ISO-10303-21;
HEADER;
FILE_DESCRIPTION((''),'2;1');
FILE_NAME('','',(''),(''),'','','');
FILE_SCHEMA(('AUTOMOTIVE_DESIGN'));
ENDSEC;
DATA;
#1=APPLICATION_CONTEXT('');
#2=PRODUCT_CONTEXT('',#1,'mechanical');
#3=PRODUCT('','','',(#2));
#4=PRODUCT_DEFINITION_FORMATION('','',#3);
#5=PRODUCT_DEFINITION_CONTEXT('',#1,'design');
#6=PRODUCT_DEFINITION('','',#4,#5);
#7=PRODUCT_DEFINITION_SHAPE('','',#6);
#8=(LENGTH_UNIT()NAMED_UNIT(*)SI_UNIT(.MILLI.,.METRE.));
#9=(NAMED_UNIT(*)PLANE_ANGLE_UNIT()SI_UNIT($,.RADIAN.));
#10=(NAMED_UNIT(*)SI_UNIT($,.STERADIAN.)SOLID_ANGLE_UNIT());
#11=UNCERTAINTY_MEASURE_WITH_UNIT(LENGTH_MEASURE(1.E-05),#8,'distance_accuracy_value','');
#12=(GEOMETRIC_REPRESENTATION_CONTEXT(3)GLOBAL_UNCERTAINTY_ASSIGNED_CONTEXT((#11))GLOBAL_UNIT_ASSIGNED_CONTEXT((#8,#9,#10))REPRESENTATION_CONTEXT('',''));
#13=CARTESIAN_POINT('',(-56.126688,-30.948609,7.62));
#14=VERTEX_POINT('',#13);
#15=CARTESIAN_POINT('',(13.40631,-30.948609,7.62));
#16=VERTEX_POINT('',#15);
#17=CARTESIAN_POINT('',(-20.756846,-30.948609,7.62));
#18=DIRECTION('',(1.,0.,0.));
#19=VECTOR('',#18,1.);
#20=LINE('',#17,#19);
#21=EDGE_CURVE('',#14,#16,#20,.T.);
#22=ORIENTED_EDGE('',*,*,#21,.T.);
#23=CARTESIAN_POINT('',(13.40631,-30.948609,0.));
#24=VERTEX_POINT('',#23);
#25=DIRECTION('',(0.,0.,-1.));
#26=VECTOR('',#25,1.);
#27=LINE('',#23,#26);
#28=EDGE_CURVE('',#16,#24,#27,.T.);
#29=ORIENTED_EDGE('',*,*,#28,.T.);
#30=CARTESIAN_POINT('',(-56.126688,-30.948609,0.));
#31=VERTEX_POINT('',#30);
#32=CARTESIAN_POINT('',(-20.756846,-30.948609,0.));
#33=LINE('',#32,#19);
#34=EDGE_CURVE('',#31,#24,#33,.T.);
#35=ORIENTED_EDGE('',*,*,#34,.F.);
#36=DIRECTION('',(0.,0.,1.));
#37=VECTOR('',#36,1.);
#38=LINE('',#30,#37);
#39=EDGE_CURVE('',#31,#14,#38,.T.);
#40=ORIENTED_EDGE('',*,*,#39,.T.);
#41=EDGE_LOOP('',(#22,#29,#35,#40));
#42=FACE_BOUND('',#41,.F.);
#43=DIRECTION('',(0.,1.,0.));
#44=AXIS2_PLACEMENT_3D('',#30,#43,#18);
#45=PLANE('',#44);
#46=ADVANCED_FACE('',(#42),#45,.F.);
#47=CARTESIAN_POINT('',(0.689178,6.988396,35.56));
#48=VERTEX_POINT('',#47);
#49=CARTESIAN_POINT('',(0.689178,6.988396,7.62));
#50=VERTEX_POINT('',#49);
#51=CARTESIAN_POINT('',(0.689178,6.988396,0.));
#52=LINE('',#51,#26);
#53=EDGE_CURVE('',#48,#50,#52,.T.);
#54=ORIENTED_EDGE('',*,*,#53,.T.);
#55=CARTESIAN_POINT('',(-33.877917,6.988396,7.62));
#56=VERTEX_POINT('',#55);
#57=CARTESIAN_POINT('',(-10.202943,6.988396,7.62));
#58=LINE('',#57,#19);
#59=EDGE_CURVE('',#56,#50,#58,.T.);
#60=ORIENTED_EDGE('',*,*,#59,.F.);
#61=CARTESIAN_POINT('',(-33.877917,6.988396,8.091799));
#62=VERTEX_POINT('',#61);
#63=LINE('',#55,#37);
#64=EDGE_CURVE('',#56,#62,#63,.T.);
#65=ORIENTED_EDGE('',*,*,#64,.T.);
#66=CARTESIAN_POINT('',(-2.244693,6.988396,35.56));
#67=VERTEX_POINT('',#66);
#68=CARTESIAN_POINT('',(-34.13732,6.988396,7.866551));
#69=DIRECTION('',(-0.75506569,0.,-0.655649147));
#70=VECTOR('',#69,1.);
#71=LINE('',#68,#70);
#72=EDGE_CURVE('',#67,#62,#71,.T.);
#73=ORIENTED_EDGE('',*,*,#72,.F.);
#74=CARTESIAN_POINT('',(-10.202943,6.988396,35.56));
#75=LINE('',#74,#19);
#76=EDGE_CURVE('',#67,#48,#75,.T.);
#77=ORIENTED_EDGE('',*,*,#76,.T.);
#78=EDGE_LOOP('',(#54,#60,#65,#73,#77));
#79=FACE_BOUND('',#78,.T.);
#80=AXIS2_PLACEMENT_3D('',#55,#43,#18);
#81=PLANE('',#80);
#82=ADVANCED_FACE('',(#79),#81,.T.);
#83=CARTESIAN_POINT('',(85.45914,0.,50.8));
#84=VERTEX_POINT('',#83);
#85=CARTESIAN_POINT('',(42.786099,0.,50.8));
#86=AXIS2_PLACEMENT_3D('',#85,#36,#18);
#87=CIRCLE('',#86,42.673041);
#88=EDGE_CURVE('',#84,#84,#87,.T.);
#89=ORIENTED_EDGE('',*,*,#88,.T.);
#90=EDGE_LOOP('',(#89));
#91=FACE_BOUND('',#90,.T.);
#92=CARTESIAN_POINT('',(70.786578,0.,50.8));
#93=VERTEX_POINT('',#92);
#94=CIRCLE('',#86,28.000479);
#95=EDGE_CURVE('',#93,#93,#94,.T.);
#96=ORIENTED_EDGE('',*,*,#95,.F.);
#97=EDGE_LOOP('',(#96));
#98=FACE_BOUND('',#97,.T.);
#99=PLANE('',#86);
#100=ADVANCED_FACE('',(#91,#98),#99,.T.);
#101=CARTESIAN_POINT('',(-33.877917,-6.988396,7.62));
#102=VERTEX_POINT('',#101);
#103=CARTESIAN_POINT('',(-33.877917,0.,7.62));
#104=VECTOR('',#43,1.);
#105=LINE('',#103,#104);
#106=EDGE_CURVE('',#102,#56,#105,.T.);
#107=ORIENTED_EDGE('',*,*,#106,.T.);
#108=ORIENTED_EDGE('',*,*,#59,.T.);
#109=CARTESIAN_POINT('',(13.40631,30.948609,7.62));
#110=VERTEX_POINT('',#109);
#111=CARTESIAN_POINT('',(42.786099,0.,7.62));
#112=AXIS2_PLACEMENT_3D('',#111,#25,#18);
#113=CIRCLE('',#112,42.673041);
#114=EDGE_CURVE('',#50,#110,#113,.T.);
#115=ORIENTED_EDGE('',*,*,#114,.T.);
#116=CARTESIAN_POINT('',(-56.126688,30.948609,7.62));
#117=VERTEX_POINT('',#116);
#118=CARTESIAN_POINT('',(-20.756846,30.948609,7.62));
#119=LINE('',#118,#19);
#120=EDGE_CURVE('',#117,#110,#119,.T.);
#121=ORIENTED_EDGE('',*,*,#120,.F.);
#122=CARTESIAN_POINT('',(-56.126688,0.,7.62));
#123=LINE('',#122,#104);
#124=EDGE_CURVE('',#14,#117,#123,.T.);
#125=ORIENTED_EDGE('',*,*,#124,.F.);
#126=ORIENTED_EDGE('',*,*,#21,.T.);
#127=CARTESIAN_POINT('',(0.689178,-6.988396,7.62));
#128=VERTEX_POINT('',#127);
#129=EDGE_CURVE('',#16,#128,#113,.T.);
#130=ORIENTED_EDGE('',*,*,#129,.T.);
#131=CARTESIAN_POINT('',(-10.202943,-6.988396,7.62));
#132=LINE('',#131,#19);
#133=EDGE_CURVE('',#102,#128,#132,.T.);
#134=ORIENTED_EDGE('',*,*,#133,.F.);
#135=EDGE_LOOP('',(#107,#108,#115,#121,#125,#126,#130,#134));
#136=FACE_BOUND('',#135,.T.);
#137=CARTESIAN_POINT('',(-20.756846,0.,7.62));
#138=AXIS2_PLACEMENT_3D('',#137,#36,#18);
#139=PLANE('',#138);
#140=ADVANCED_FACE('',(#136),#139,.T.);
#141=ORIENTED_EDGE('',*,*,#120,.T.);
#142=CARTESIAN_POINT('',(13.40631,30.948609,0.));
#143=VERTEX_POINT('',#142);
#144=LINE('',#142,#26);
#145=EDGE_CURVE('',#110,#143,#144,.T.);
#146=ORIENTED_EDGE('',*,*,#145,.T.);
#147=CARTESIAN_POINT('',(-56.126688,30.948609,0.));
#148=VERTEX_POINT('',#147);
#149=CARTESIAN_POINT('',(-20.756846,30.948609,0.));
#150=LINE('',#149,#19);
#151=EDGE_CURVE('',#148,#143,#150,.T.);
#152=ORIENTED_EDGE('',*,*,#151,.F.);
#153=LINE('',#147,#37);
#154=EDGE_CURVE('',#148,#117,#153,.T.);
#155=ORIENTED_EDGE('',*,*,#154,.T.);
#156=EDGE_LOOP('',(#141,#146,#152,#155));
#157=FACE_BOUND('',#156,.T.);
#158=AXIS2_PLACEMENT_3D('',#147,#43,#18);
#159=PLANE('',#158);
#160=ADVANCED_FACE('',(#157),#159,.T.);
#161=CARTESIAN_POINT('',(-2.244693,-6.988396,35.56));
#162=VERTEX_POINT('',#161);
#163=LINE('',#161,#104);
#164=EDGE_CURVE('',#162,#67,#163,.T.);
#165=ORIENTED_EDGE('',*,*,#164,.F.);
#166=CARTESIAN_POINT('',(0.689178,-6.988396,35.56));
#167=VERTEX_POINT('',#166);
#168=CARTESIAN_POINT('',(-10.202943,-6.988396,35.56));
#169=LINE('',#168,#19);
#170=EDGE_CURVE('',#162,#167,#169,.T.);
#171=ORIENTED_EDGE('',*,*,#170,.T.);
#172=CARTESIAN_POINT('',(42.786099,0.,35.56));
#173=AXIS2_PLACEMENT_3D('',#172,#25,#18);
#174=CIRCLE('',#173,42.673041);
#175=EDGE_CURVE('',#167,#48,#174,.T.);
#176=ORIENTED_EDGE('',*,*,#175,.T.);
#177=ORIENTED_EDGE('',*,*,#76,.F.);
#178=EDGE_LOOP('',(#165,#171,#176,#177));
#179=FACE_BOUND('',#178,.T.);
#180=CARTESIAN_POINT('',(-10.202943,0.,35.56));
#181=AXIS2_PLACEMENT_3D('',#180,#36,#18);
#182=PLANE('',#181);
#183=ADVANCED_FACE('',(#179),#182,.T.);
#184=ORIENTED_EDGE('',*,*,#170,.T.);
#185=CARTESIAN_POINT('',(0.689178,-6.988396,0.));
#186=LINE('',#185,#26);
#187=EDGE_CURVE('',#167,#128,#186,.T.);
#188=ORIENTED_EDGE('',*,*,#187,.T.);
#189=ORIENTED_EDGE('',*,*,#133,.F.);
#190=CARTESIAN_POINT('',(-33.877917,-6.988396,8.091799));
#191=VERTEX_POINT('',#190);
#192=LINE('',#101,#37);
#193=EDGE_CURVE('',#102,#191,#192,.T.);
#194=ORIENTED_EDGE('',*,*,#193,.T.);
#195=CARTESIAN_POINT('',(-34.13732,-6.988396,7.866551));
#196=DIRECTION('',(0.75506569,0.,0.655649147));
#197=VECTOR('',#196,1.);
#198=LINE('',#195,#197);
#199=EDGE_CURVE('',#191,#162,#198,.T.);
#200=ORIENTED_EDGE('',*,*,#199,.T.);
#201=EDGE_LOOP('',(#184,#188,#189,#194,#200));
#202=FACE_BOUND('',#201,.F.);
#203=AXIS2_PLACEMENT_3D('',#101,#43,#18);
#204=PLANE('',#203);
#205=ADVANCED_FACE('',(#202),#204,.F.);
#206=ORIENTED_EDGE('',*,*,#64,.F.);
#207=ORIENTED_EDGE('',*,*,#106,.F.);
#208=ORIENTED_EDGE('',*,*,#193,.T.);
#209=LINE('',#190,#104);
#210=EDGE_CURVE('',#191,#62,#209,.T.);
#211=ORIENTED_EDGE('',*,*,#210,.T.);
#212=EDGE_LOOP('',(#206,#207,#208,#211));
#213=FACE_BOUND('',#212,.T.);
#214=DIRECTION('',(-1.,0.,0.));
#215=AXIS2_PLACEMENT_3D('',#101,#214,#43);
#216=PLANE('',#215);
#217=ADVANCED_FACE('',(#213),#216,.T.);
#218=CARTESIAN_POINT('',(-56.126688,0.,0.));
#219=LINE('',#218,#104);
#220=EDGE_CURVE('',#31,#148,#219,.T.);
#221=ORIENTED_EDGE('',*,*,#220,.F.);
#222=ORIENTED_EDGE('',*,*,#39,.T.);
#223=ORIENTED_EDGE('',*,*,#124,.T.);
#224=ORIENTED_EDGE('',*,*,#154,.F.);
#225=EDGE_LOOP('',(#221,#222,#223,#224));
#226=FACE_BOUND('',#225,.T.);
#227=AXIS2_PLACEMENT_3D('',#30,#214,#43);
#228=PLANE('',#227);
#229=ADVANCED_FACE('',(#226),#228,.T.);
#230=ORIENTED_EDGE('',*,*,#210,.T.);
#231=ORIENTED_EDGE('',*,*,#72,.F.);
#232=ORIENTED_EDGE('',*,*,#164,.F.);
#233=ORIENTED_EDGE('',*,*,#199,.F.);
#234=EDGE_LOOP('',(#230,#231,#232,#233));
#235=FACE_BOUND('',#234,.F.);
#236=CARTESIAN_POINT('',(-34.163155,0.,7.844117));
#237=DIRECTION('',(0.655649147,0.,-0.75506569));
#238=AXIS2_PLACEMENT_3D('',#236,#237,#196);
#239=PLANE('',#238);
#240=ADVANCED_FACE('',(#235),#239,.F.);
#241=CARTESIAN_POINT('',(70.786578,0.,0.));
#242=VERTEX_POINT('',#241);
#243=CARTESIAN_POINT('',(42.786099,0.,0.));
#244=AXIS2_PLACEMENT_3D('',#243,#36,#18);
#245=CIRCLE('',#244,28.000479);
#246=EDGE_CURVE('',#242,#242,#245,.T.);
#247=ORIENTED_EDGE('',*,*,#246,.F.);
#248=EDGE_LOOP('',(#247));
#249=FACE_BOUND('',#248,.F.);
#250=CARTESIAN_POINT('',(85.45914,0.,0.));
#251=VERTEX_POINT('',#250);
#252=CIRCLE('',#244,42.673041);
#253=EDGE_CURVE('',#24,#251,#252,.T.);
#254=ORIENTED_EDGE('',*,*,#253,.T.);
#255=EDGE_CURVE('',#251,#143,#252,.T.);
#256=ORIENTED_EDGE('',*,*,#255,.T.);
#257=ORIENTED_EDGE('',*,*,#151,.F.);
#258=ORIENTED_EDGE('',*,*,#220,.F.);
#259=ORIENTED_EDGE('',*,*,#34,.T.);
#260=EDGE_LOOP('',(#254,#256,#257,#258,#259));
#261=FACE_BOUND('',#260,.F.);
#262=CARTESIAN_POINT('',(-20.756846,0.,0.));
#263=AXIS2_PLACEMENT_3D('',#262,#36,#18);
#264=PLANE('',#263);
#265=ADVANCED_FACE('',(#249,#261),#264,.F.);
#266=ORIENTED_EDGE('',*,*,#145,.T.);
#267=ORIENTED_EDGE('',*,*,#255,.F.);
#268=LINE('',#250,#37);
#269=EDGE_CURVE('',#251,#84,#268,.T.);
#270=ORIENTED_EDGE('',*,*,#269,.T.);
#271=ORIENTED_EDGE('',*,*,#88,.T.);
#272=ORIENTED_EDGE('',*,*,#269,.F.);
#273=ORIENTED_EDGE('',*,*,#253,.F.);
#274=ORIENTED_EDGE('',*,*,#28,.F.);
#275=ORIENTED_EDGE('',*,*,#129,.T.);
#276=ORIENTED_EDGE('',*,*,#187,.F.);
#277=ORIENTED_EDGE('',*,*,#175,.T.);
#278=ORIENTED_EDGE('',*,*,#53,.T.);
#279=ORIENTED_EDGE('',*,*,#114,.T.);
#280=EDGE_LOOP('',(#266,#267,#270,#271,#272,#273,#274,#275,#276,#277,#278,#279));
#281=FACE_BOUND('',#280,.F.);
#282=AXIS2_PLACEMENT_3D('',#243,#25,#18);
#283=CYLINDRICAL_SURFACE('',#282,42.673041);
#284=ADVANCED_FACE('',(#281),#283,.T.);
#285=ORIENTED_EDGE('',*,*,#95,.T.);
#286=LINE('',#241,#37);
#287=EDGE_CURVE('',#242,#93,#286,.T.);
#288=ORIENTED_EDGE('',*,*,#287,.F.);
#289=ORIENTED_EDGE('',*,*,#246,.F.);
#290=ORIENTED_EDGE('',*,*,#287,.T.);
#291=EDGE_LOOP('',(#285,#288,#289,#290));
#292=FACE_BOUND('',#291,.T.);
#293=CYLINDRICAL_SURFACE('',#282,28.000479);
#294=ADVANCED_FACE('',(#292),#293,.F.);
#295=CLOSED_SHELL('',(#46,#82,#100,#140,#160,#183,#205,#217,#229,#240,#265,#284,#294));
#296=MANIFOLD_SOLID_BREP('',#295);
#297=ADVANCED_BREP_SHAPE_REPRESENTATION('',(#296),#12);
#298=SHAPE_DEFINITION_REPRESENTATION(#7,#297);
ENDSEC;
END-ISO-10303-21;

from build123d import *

# Parameters (mm, degrees)
F0_R          = 42.6730408219
F0_R_2        = 28.0004794719
F1_DEPTH      = 50.8
F2_W          = 70.7396827638
F2_H          = 61.8972182274
F3_DEPTH      = 7.62
F4_W          = 47.3499465734
F4_H          = 13.9767918736
F5_DEPTH      = 27.94
F7_DEPTH      = 25.4
F7_DEPTH_BACK = 25.4


with BuildPart() as f1:
    # F0 (on Top) → F1 (new body)
    with BuildSketch(Plane.XY):
        with Locations((42.7860990167, 0)):
            Circle(F0_R)
        with Locations((42.7860990167, 0)):
            Circle(F0_R_2, mode=Mode.SUBTRACT)
    extrude(amount=F1_DEPTH)

    # F2 (on Top) → F3 (join)
    with BuildSketch(Plane.XY):
        with Locations((-20.7568462938, 0)):
            Rectangle(F2_W, F2_H)
    extrude(amount=F3_DEPTH)

    # F4 (on face) → F5 (join)
    with BuildSketch(Plane.XY.offset(7.62)):
        with Locations((-10.2029433474, 0)):
            Rectangle(F4_W, F4_H)
    extrude(amount=F5_DEPTH)

    # F6 (on Front) → F7 (cut, two sides)
    with BuildSketch(Plane.XZ) as f7_sk:
        Polygon((-34.1631546617, 37.5091433525), (-34.1631546617, 7.8441174701), (0, 37.5091433525), align=None)
    extrude(amount=-F7_DEPTH, mode=Mode.SUBTRACT)
    extrude(f7_sk.sketch, amount=F7_DEPTH_BACK, mode=Mode.SUBTRACT)


solid = f1.part
